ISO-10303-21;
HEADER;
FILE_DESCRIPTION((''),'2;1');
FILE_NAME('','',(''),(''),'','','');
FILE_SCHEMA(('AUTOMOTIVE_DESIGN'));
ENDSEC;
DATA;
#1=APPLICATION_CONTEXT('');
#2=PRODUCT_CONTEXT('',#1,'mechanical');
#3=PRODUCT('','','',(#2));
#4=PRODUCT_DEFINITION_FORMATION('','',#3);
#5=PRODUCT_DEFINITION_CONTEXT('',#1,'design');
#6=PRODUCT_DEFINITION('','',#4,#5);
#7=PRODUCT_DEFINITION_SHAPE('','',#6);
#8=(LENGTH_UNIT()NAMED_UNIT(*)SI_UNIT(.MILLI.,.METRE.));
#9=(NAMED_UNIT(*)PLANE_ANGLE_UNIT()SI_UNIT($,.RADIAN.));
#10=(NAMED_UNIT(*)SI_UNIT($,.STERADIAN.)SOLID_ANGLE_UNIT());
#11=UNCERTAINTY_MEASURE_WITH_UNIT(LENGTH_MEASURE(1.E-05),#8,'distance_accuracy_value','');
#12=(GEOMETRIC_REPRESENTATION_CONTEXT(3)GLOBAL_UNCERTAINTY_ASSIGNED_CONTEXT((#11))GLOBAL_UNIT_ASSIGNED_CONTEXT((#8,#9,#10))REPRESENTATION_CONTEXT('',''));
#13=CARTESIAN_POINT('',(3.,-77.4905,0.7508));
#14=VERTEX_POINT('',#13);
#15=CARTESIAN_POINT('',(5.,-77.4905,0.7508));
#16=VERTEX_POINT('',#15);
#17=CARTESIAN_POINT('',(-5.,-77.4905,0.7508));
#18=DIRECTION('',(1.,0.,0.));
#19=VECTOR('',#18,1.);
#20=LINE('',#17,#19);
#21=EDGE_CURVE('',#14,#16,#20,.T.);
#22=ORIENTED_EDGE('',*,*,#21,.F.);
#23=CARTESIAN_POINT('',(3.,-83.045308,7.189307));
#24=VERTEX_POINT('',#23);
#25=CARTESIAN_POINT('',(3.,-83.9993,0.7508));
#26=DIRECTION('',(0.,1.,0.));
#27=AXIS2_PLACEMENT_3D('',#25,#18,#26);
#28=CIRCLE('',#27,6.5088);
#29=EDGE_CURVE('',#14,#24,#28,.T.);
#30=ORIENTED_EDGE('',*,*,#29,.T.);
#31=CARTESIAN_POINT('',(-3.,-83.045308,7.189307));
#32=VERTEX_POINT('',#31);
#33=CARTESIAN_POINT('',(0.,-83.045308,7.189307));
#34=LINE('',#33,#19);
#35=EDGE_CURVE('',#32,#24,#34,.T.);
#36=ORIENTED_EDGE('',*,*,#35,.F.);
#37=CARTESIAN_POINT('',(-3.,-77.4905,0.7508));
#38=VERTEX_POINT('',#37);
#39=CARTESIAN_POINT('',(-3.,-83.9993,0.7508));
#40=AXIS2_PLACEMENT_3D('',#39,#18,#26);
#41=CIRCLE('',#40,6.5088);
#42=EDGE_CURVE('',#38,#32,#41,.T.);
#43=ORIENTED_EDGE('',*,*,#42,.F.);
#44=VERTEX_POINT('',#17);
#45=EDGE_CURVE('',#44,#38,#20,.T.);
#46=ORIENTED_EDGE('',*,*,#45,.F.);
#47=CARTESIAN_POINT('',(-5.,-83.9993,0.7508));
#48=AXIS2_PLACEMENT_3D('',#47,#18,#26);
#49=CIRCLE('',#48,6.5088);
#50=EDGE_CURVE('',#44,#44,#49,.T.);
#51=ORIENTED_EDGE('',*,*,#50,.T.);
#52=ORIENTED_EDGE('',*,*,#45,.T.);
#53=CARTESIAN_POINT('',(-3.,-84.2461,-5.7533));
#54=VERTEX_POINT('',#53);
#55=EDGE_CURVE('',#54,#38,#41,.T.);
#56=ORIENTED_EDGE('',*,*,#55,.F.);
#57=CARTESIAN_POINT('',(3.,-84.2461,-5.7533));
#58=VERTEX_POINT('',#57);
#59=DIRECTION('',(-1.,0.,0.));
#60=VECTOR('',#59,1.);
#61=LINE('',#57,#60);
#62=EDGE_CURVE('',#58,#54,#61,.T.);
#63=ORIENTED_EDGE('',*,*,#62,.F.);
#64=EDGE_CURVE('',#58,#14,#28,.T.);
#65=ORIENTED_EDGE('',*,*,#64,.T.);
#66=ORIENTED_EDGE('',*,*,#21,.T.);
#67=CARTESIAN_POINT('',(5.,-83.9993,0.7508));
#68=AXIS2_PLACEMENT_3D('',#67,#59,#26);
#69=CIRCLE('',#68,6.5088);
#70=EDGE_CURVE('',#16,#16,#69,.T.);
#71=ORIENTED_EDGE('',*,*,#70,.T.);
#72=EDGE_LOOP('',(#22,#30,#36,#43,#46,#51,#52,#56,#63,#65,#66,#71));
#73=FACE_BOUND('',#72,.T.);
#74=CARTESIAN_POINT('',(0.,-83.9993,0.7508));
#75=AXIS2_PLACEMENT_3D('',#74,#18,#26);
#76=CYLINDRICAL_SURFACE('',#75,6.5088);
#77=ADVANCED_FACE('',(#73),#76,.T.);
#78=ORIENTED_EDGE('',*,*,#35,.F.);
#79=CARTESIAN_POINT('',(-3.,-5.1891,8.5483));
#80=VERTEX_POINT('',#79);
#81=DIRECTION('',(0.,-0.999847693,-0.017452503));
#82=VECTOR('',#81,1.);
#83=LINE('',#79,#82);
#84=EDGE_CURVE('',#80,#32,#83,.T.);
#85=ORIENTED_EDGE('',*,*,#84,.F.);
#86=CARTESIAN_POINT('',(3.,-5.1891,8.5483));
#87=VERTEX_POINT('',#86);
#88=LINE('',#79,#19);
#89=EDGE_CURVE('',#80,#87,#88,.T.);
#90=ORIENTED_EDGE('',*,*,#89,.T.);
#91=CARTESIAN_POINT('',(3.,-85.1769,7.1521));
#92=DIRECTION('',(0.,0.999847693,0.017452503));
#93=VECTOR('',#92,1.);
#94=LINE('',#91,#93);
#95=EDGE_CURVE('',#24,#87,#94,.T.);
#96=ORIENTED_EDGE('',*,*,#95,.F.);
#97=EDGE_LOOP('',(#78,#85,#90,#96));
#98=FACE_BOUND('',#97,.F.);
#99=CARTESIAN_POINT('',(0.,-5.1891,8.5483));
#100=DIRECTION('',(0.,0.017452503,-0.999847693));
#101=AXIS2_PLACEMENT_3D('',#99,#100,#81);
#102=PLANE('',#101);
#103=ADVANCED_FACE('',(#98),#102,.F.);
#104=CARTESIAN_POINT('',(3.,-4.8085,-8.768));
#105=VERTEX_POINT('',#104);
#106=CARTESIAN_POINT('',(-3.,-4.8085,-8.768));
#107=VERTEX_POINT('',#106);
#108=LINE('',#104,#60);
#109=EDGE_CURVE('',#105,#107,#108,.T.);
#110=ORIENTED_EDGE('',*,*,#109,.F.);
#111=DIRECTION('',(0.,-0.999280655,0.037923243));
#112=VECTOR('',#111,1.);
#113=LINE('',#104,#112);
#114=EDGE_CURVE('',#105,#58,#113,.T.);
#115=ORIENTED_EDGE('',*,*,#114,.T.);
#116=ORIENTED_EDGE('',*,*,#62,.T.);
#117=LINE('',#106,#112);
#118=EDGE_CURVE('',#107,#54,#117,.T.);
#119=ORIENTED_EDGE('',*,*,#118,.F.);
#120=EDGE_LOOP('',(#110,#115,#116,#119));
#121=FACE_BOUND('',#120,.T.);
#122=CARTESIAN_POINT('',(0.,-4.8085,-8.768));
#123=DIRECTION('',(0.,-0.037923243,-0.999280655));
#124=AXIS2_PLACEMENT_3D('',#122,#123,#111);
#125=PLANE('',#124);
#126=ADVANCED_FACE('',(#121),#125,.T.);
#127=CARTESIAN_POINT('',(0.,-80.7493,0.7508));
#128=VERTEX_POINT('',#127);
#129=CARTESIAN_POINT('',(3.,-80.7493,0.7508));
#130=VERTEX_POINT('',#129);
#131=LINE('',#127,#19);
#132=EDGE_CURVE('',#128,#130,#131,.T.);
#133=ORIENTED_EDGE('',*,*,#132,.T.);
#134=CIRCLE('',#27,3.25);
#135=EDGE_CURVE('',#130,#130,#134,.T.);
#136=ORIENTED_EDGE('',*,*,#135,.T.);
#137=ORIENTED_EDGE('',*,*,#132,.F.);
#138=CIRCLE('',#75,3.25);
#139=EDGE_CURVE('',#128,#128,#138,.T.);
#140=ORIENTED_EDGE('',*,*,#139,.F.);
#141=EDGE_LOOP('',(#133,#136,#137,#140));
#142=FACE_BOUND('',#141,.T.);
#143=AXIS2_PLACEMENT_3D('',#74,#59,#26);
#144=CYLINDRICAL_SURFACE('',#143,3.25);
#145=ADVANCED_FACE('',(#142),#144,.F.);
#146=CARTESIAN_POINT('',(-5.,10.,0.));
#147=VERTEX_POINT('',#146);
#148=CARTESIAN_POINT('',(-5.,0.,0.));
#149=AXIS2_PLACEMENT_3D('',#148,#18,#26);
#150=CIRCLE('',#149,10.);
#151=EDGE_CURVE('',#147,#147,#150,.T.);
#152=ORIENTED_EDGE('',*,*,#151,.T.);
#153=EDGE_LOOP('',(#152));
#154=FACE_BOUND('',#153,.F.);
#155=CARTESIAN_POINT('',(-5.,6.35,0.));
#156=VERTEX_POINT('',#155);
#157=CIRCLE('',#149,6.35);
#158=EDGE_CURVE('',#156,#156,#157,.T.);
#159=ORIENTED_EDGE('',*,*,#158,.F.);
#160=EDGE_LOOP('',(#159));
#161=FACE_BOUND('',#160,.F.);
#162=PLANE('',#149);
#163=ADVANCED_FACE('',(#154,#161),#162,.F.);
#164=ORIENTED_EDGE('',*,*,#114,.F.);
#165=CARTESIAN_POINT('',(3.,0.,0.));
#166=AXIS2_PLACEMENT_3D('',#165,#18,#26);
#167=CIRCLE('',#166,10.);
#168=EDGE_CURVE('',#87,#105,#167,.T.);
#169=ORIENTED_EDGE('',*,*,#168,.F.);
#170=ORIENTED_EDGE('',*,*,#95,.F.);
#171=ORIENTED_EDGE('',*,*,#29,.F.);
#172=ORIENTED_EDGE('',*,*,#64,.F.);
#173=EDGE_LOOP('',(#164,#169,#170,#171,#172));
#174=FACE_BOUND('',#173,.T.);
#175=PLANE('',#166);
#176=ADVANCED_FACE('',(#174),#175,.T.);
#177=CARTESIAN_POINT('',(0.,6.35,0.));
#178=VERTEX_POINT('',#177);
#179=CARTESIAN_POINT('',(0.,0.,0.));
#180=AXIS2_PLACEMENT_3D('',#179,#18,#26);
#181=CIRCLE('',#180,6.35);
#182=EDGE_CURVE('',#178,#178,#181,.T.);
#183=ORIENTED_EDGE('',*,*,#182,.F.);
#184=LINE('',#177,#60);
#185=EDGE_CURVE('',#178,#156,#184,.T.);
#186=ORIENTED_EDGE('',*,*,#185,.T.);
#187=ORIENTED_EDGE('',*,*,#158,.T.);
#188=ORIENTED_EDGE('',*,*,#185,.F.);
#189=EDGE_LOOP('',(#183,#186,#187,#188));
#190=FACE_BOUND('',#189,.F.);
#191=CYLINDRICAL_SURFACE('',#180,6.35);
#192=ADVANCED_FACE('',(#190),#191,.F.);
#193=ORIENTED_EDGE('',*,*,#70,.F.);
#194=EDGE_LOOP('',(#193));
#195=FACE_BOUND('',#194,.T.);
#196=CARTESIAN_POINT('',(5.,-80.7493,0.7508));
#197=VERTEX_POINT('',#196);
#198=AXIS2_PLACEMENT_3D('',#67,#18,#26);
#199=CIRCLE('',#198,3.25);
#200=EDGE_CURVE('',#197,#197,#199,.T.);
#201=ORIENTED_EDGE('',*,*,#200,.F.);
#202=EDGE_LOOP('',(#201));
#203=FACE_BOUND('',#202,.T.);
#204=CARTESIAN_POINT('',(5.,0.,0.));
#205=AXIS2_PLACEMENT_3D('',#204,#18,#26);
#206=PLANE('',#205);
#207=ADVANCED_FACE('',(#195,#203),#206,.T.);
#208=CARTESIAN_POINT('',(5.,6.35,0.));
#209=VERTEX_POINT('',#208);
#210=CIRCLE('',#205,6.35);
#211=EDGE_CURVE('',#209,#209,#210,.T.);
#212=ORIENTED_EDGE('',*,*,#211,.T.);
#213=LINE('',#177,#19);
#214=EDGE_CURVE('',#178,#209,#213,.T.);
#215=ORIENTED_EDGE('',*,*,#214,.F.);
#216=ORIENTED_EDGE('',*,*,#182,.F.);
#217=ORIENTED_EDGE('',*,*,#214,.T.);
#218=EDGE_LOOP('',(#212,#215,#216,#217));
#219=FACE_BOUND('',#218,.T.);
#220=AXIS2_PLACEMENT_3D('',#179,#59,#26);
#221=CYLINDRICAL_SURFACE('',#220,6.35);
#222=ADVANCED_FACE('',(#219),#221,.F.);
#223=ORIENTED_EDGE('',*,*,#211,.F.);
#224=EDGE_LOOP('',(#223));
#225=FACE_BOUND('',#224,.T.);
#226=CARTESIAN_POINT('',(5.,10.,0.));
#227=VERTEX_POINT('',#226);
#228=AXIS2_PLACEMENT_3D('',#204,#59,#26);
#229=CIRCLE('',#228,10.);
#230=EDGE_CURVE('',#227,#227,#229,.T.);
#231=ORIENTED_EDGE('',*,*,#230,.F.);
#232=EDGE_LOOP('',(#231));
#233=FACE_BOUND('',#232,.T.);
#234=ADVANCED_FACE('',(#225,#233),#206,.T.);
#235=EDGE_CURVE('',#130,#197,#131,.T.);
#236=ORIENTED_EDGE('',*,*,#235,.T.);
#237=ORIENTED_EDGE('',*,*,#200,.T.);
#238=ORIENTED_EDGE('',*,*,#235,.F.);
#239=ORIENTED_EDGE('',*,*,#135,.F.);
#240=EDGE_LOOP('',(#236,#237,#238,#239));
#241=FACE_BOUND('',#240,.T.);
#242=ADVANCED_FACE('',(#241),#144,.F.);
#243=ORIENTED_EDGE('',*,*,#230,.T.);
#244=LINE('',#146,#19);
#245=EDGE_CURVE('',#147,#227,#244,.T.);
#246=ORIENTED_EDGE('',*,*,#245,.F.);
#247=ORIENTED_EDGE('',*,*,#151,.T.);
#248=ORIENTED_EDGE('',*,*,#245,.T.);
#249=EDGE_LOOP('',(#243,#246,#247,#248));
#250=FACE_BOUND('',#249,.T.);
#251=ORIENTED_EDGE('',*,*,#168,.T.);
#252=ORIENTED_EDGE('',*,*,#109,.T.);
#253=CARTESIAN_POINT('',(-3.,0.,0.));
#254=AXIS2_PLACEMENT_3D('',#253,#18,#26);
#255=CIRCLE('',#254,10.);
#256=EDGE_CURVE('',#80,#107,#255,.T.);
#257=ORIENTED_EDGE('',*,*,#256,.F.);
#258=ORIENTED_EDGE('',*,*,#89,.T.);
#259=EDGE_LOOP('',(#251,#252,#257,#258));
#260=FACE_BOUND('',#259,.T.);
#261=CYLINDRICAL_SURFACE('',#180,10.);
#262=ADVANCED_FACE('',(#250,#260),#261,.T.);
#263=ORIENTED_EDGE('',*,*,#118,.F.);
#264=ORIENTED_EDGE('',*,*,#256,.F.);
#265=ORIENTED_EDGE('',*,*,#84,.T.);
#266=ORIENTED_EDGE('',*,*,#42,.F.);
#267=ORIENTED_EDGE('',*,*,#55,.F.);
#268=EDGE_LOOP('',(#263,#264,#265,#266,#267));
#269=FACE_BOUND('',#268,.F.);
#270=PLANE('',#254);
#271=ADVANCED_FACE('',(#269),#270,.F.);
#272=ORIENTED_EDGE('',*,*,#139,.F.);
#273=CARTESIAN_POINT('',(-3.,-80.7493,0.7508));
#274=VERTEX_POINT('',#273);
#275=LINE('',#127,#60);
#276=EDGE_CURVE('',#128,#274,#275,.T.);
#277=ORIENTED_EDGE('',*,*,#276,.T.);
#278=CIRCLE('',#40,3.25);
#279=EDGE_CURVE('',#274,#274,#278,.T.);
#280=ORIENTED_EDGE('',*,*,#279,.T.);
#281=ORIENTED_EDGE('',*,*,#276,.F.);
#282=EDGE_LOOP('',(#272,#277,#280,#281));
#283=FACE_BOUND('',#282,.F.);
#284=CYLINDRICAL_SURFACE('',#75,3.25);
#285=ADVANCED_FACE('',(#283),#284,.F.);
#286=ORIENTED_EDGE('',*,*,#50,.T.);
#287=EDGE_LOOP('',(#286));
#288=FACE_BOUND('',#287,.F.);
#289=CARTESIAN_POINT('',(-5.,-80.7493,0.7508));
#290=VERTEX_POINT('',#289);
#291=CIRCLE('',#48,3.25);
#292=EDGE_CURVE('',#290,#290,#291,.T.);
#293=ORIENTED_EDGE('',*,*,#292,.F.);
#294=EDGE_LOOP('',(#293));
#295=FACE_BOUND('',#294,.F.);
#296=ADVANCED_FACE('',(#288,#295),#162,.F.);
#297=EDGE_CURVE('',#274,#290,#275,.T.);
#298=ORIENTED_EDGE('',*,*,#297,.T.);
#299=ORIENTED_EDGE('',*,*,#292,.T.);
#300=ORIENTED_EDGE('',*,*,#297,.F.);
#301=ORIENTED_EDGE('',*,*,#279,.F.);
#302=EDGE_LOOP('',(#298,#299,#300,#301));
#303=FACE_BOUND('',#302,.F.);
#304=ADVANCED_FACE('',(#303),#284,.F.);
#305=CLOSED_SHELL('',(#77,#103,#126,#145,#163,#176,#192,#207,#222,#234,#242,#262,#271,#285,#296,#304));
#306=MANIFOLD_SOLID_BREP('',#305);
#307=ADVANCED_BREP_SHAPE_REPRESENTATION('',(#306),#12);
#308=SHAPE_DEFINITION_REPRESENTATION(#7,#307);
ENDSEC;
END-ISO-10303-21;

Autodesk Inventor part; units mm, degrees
ref_plane "YZ Plane" through (0, 0, 0) normal (1, 0, 0) x (0, 1, 0)
ref_plane "XZ Plane" through (0, 0, 0) normal (0, 1, 0) x (-1, 0, 0)
ref_plane "XY Plane" through (0, 0, 0) normal (0, 0, 1) x (1, 0, 0)
sketch "Sketch1" plane through (0, 0, 0) normal (1, 0, 0) x (0, 1, 0)
  point P0 (0, 0)
sketch "Sketch2" plane through (0, 0, 0) normal (1, 0, 0) x (0, 1, 0)
  circle A0 centre (0, 0) radius 6.35
  circle A1 centre (0, 0) radius 10
  line L0 (-5.1891, 8.5483) -> (-85.1769, 7.1521)
  line L1 (-5.1891, 8.5483) -> (74.8109, 8.5483) construction
  circle A2 centre (-83.9993, 0.7508) radius 6.5088
  line L2 (-4.8085, -8.768) -> (-84.2461, -5.7533)
  circle A3 centre (-83.9993, 0.7508) radius 3.25
  point P0 (9.9976, 0.2197)
  point P1 (-4.8085, -8.768)
  point P2 (-5.1891, 8.5483)
  point P3 (-83.0459, 7.1893)
  dimension "d1" = 20
  dimension "d0" = 12.7
  dimension "d4" = 360
  dimension "d7" = 80
  dimension "d8" = 179
  dimension "d9" = 6.5
extrude "Extrusion1" add sketch "Sketch2" along normal mid plane 10 contours A1 | A2 L0 | L0 A2
extrude "Extrusion2" add sketch "Sketch2" along normal mid plane 6 contours A1 L2 A2 L0 | A2 L0 picked at (-84.2044, 6.1062)
properties part number "Handle"
